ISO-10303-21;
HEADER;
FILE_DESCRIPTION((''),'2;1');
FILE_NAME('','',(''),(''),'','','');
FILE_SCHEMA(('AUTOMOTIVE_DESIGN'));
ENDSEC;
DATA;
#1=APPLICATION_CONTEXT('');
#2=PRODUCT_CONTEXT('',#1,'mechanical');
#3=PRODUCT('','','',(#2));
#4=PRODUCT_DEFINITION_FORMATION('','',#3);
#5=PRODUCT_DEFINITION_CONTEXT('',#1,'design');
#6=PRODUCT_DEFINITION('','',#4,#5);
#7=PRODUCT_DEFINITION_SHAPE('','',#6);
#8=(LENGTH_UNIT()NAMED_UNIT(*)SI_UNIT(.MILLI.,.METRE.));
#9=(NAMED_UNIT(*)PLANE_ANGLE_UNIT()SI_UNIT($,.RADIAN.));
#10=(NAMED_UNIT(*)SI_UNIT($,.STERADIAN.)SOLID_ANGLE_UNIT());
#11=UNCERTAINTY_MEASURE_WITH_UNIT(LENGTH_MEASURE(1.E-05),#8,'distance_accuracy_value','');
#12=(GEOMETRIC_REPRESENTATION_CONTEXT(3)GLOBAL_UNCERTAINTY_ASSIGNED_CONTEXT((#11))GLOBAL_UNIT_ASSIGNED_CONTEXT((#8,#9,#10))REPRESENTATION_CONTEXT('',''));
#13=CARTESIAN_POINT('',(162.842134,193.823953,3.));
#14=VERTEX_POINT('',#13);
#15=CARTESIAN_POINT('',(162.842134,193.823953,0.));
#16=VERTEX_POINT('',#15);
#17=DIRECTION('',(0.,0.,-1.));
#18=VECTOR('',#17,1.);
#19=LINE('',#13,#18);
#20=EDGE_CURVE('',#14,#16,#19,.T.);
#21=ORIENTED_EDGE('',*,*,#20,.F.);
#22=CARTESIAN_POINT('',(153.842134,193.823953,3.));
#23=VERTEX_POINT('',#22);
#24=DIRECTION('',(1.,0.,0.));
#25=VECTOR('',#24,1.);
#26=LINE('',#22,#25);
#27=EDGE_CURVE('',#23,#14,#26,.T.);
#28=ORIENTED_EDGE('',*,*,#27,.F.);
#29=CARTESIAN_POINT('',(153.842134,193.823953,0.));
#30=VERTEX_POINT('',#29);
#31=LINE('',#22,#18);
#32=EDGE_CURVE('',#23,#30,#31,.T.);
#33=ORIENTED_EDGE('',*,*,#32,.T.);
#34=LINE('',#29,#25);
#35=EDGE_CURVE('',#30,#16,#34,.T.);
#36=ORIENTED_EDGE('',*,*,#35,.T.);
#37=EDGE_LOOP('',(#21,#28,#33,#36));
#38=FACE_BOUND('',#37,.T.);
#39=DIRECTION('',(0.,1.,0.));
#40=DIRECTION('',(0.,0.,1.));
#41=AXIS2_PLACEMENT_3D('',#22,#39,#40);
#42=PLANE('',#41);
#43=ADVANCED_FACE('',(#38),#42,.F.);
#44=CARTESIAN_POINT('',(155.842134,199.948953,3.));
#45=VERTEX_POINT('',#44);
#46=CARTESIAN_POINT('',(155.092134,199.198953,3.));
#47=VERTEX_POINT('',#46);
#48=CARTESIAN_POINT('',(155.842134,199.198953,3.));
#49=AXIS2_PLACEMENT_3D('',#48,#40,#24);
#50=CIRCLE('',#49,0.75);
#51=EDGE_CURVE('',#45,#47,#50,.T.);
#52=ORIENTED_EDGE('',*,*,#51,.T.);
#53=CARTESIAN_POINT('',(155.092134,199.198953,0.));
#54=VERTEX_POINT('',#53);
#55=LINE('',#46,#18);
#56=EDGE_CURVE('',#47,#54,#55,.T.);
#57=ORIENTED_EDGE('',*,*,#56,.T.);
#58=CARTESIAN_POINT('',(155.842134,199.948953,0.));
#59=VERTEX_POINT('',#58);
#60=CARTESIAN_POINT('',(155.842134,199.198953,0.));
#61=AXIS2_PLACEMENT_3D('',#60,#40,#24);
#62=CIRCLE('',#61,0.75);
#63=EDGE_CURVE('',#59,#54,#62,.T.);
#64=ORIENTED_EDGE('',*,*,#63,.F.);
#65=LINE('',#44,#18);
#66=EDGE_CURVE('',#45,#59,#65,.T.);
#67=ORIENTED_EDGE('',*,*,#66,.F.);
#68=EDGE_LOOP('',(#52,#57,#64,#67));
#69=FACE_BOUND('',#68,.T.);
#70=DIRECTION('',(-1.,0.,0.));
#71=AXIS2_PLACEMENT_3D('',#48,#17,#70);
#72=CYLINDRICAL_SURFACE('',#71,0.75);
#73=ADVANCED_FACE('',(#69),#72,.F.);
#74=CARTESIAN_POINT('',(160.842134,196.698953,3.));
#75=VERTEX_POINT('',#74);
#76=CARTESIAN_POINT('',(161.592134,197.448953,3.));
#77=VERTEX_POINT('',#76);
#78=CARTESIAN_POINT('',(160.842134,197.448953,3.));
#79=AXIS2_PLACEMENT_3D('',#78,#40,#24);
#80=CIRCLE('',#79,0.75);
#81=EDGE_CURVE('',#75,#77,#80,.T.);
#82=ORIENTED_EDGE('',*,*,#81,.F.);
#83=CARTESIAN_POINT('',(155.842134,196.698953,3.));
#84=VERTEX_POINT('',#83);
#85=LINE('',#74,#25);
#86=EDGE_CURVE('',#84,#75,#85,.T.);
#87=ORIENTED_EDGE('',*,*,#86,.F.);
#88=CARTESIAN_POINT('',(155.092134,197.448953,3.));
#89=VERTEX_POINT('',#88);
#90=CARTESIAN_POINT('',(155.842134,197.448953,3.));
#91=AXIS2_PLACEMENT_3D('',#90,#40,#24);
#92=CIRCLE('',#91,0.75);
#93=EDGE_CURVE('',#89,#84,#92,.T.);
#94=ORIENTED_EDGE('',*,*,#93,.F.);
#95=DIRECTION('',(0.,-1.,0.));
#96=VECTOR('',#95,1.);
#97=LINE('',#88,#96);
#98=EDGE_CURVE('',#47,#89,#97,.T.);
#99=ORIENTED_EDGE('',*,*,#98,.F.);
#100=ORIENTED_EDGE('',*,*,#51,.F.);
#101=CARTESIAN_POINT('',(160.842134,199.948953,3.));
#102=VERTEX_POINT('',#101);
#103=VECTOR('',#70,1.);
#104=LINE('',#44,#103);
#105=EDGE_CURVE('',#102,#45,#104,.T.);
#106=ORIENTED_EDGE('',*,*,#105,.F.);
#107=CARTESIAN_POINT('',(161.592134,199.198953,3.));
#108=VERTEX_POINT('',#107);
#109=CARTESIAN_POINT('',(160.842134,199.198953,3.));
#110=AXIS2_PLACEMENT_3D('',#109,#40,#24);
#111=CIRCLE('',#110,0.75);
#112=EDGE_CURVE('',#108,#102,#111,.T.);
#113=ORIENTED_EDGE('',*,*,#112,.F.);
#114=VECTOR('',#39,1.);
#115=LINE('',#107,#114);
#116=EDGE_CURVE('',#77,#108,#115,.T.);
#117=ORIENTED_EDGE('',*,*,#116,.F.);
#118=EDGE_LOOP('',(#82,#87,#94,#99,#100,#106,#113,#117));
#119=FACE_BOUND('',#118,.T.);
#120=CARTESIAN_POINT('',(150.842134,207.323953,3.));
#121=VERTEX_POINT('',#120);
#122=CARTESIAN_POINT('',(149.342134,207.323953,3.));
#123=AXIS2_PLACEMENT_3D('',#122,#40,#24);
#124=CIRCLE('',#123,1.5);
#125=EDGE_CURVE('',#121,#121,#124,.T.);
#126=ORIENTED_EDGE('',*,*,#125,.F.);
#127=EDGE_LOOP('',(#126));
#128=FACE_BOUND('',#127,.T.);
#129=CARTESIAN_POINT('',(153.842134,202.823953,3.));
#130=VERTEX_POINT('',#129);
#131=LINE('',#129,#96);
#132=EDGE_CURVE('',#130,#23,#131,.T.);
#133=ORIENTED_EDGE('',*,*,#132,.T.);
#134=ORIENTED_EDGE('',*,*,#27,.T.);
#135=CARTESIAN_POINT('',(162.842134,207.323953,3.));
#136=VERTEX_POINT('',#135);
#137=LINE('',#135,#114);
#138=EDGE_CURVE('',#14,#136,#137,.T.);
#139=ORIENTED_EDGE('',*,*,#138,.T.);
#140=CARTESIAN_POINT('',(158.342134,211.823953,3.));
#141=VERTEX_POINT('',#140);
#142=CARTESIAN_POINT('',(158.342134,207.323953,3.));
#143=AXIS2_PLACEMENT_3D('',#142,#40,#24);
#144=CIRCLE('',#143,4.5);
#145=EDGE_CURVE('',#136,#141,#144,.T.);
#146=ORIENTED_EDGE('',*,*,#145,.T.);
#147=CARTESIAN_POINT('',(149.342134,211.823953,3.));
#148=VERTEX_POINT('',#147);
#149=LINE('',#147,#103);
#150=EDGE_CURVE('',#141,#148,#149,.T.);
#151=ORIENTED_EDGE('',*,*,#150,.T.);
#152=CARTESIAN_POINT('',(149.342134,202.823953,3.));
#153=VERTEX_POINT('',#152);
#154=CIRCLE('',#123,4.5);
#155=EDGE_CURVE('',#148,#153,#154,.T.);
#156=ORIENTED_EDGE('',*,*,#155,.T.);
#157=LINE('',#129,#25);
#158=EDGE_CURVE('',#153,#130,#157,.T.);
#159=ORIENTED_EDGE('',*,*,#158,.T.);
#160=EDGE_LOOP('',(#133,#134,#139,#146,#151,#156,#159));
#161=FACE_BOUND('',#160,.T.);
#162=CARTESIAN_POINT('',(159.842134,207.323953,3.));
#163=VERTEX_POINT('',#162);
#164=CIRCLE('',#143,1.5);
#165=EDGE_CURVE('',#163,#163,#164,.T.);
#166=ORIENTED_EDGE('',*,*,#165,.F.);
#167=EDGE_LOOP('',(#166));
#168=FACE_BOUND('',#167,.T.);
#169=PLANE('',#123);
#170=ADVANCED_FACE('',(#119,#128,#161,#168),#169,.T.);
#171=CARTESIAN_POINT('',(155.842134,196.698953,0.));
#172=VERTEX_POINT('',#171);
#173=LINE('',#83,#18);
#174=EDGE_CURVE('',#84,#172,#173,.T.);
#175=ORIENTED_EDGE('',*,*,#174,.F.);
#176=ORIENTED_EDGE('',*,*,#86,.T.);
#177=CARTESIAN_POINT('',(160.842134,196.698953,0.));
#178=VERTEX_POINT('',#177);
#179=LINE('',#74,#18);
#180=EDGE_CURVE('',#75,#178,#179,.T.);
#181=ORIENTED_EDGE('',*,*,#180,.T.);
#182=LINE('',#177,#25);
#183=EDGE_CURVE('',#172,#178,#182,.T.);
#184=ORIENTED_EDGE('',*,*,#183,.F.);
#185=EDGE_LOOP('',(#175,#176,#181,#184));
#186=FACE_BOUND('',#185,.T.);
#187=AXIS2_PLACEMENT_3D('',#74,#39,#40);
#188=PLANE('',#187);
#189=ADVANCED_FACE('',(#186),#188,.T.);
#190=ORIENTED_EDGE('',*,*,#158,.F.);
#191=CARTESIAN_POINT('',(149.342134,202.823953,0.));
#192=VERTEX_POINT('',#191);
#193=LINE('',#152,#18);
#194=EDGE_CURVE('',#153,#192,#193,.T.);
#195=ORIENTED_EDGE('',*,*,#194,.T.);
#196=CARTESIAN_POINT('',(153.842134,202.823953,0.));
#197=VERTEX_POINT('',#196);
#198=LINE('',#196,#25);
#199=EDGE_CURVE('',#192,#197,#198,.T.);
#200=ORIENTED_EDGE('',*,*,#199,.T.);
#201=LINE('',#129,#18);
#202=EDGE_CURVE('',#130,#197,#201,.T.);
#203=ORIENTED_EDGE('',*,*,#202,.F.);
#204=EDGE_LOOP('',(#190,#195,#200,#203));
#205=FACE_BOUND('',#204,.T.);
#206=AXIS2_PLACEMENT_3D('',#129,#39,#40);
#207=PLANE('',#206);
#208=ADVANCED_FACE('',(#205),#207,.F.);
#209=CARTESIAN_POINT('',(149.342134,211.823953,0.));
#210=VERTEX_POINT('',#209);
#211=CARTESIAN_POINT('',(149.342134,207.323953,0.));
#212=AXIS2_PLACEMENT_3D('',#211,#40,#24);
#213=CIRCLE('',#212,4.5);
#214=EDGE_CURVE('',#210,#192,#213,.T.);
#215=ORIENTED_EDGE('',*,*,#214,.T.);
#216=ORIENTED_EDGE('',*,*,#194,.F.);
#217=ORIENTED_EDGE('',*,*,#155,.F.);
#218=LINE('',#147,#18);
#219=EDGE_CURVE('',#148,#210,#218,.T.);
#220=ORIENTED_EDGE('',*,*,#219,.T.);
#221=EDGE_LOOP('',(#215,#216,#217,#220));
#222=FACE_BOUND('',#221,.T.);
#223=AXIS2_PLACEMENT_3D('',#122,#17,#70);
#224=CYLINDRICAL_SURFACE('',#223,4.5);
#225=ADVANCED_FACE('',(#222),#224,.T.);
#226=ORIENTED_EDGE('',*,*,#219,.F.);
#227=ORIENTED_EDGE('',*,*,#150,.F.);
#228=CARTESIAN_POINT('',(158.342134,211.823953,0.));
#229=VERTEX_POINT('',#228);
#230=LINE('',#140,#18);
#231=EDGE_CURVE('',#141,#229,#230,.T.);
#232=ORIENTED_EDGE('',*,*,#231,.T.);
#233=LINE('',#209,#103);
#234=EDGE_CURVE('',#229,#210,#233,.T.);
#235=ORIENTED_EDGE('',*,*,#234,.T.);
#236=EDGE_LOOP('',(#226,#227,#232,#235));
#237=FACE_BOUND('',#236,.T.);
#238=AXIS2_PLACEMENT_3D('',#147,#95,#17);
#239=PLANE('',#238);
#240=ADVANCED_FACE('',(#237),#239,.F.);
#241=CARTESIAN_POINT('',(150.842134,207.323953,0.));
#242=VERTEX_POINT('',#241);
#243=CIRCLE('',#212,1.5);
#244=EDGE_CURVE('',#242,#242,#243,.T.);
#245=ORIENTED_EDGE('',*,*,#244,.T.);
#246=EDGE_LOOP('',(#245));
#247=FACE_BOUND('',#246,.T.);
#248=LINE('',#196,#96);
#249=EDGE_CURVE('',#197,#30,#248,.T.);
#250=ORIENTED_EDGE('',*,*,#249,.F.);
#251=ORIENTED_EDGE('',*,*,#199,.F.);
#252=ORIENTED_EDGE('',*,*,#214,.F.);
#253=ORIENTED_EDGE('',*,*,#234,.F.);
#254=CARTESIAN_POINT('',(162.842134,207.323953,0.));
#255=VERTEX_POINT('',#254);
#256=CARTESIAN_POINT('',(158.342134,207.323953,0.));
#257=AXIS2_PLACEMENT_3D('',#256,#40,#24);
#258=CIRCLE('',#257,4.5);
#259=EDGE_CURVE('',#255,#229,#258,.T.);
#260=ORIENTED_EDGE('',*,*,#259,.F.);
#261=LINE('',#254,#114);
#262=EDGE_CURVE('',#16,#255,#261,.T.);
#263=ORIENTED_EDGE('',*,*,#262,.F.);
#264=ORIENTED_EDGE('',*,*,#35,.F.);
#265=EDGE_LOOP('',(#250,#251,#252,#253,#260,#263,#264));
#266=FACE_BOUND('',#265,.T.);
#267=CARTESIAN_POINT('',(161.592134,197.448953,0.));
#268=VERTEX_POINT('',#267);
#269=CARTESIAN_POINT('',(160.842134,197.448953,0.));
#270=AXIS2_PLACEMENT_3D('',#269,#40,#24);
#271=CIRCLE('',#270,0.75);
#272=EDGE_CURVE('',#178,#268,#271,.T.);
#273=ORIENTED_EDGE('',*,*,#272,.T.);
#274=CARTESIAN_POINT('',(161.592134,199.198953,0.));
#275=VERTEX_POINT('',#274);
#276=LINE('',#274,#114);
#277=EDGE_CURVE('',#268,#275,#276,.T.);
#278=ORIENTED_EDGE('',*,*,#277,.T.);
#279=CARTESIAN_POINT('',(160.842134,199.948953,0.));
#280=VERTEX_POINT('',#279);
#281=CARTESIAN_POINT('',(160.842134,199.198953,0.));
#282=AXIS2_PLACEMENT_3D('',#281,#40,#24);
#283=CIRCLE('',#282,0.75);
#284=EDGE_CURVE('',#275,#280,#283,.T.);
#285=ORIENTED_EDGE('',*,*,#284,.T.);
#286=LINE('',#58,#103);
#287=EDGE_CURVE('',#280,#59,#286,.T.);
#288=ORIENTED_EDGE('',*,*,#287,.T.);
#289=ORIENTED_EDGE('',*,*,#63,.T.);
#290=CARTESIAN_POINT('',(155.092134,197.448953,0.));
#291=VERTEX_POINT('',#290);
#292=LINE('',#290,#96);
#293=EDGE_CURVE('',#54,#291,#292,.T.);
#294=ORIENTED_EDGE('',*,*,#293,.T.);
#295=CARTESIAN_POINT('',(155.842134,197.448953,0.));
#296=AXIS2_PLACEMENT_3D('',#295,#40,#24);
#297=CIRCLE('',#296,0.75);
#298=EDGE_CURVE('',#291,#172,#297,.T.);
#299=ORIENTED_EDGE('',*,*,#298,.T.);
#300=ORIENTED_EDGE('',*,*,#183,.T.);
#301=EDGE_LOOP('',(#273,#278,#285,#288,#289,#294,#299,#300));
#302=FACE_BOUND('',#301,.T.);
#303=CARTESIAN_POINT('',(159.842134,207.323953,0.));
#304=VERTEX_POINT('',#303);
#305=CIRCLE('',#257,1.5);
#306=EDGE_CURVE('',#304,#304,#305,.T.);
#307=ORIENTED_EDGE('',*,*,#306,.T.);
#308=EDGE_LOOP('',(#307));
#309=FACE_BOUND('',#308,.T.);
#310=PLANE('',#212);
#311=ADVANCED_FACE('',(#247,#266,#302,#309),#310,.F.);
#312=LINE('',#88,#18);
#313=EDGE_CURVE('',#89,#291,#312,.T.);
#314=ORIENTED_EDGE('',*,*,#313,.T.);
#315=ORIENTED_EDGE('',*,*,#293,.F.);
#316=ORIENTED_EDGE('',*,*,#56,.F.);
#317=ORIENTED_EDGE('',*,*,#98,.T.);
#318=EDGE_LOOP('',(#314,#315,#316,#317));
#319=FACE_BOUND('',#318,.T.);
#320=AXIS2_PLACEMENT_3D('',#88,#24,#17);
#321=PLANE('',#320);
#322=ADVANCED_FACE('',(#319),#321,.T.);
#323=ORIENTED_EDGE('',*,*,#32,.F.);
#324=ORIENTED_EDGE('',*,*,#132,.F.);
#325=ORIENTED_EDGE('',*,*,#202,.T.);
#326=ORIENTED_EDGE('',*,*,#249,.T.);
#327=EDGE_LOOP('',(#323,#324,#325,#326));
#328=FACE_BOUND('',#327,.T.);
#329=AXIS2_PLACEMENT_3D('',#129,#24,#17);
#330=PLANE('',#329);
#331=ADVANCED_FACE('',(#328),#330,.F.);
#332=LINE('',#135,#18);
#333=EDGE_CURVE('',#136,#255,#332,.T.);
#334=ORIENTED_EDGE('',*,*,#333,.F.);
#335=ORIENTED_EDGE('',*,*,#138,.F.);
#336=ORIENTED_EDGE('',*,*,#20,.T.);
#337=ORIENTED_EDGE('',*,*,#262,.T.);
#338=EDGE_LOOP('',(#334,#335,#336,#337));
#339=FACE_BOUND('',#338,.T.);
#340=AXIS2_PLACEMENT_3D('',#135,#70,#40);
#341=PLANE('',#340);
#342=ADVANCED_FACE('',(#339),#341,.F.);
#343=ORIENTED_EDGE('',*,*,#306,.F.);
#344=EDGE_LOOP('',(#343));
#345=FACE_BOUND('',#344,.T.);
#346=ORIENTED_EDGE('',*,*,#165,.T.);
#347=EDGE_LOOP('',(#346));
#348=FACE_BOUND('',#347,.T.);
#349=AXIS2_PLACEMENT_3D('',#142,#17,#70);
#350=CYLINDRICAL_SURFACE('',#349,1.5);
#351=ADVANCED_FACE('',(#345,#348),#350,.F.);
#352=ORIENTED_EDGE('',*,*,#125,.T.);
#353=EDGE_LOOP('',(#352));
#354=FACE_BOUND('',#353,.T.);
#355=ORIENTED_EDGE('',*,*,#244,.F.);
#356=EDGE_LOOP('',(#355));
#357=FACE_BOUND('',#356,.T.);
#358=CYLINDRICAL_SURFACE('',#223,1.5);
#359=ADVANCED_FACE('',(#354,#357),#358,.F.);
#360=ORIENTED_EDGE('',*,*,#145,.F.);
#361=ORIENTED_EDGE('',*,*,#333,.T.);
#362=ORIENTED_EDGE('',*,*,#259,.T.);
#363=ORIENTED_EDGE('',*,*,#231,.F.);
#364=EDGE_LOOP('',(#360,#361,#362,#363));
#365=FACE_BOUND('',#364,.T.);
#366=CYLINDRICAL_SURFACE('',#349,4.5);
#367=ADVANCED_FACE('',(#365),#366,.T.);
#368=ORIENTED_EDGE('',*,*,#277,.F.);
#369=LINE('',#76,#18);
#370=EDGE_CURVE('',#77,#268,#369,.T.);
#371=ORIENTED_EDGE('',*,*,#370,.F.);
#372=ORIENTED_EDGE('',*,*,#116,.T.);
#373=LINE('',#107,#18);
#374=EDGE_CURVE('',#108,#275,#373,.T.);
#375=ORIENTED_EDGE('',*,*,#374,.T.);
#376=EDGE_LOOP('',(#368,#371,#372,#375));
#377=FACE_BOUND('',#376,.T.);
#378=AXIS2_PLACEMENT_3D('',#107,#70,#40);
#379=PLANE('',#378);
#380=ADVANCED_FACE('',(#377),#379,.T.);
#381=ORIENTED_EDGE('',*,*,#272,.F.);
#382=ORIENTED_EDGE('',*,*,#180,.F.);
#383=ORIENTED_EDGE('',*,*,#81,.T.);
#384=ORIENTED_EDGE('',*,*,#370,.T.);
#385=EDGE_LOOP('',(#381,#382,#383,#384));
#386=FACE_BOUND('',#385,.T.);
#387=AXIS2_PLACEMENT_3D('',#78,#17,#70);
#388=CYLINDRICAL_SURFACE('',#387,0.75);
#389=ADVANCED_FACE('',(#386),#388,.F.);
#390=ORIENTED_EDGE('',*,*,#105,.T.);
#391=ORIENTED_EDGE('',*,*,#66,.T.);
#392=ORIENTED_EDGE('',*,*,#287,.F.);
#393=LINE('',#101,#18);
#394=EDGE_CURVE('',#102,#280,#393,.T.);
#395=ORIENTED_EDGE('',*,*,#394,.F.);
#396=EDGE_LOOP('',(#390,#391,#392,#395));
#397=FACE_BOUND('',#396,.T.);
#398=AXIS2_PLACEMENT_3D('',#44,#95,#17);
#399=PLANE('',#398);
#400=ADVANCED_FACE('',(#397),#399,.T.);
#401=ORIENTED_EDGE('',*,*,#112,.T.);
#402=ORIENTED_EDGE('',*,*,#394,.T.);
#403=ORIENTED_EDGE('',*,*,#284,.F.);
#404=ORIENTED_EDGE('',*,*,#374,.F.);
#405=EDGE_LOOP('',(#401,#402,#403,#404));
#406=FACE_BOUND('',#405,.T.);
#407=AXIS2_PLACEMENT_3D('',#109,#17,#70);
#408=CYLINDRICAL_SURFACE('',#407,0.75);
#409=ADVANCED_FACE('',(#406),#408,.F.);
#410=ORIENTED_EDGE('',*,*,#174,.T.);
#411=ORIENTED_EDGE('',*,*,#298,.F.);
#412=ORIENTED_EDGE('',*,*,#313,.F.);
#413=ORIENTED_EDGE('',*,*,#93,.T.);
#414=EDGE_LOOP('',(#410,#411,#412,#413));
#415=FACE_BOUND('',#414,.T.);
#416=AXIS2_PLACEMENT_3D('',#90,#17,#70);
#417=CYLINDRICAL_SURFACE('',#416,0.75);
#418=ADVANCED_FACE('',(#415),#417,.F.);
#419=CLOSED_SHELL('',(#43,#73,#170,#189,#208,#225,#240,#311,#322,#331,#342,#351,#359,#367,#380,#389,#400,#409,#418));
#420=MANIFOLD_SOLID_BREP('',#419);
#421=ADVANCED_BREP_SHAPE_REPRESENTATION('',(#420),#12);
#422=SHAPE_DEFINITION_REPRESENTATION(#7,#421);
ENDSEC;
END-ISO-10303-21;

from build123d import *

# Parameters (mm, degrees)
MODEL_R                 = 1.5
SALIENTE_EXTRUIR1_DEPTH = 3


with BuildPart() as part:
    # Model → Saliente-Extruir1 (new body)
    with BuildSketch(Plane.XY):
        with BuildLine():
            Line((149.34213351, 211.823953209), (158.34213351, 211.823953209))
            ThreePointArc((158.34213351, 211.823953209), (161.524114025, 210.505933724), (162.84213351, 207.323953209))
            Line((162.84213351, 207.323953209), (162.84213351, 193.823953209))
            Line((162.84213351, 193.823953209), (153.84213351, 193.823953209))
            Line((153.84213351, 193.823953209), (153.84213351, 202.823953209))
            Line((153.84213351, 202.823953209), (149.34213351, 202.823953209))
            ThreePointArc((149.34213351, 202.823953209), (144.84213351, 207.323953209), (149.34213351, 211.823953209))
        make_face()
        with Locations((149.34213351, 207.323953209)):
            Circle(MODEL_R, mode=Mode.SUBTRACT)
        with Locations((158.34213351, 207.323953209)):
            Circle(MODEL_R, mode=Mode.SUBTRACT)
        with BuildLine():
            Line((160.84213351, 196.698953209), (155.84213351, 196.698953209))
            ThreePointArc((155.84213351, 196.698953209), (155.311803424, 196.918623123), (155.09213351, 197.448953209))
            Line((155.09213351, 197.448953209), (155.09213351, 199.198953209))
            ThreePointArc((155.09213351, 199.198953209), (155.311803424, 199.729283295), (155.84213351, 199.948953209))
            Line((155.84213351, 199.948953209), (160.84213351, 199.948953209))
            ThreePointArc((160.84213351, 199.948953209), (161.372463595, 199.729283295), (161.59213351, 199.198953209))
            Line((161.59213351, 199.198953209), (161.59213351, 197.448953209))
            ThreePointArc((161.59213351, 197.448953209), (161.372463595, 196.918623123), (160.84213351, 196.698953209))
        make_face(mode=Mode.SUBTRACT)
    extrude(amount=SALIENTE_EXTRUIR1_DEPTH)


solid = part.part
